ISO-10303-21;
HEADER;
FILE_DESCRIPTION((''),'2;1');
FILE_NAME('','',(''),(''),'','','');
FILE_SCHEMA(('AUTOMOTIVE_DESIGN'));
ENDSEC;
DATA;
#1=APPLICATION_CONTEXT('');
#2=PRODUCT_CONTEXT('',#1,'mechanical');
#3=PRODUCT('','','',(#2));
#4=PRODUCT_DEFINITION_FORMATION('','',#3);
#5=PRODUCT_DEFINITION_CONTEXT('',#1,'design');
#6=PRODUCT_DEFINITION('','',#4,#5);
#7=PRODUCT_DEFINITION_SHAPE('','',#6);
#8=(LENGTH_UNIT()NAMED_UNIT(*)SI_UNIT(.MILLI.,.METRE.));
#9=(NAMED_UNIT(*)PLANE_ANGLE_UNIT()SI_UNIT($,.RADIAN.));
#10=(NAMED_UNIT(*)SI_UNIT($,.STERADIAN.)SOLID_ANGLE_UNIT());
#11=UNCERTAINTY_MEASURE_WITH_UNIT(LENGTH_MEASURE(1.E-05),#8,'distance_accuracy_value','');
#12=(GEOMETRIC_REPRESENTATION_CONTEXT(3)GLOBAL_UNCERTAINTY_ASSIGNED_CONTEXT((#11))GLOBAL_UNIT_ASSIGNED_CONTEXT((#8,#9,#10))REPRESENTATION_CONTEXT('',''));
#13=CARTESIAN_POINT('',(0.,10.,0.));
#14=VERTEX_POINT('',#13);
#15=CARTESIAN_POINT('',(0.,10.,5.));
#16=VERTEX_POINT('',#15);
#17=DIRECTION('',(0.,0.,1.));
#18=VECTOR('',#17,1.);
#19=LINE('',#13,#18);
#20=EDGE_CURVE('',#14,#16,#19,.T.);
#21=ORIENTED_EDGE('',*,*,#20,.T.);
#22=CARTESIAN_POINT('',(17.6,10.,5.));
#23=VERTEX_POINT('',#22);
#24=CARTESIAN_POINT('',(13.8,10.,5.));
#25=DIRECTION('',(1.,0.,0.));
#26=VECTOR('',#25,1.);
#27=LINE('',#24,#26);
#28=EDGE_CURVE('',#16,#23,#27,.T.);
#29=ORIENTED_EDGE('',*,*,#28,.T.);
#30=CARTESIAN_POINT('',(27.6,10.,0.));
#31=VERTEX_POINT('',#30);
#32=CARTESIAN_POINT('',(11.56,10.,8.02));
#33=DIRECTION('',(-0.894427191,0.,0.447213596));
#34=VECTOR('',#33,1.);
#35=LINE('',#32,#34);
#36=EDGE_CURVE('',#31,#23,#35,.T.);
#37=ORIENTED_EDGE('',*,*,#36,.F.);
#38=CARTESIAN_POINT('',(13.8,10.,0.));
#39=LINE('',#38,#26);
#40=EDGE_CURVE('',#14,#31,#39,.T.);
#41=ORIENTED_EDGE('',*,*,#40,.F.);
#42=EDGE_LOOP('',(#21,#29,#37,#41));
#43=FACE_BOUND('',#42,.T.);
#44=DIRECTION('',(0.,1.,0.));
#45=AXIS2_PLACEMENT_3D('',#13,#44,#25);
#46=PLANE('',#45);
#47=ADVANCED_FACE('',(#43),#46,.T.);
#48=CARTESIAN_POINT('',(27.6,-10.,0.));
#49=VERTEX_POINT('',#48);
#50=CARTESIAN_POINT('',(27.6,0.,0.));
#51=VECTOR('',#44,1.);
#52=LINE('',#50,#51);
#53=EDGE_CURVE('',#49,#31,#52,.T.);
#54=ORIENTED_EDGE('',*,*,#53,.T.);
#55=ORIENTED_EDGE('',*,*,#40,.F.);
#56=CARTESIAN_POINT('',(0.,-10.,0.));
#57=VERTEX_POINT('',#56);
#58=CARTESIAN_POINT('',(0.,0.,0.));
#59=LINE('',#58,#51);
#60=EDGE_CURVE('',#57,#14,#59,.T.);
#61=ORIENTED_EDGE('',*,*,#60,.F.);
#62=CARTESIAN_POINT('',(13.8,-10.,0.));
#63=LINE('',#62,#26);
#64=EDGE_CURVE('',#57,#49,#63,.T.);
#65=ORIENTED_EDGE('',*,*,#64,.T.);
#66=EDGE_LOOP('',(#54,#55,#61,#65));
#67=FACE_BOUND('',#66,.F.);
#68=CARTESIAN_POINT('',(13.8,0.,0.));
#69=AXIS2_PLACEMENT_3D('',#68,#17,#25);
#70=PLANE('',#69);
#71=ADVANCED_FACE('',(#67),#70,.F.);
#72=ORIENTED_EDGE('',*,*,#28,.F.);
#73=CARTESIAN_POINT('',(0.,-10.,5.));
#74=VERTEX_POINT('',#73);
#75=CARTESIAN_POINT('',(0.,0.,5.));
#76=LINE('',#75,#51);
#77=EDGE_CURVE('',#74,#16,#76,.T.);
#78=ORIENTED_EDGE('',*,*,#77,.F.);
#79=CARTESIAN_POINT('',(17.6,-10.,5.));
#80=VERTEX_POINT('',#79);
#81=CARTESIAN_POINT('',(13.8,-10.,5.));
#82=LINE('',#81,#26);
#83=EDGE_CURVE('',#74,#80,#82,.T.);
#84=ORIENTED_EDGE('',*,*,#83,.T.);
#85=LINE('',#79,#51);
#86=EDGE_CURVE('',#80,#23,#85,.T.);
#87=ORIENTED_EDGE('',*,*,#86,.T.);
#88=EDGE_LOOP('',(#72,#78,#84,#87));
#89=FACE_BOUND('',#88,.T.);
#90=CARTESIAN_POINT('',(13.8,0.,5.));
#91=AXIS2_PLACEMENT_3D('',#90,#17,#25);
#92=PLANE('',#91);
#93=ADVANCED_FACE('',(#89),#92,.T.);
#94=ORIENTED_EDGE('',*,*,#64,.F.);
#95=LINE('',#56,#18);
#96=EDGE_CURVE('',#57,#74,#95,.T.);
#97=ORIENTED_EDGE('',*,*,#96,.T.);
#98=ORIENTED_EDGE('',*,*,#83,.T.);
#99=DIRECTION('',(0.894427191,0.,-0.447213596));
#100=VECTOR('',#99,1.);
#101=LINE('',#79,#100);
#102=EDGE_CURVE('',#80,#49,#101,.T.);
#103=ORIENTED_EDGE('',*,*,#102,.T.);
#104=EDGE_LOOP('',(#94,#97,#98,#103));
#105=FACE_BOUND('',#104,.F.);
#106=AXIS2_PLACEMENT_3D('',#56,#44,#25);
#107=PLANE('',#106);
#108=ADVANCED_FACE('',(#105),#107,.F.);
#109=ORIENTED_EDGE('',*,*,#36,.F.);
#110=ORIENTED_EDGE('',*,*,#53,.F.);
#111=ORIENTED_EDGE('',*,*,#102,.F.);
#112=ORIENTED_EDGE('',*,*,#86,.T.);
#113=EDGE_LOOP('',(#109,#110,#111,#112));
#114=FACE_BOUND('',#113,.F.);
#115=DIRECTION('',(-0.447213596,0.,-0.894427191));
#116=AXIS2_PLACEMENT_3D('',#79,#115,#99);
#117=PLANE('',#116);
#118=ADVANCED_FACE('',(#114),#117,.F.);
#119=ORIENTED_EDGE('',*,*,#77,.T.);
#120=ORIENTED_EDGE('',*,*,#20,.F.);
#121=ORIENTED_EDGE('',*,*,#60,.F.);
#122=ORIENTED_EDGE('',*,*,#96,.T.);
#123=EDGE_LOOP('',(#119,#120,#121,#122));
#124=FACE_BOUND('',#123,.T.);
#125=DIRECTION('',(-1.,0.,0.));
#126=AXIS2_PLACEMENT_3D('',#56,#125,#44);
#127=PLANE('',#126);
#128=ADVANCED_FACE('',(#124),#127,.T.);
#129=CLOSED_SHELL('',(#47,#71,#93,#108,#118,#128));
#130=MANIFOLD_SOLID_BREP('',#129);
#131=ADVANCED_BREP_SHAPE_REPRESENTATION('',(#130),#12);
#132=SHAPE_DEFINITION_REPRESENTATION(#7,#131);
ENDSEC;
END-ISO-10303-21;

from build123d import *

# Parameters (mm, degrees)
F0_W     = 27.6
F0_H     = 20
F1_DEPTH = 5
F3_DEPTH = 20.001


with BuildPart() as f1:
    # F0 (on Top) → F1 (new body)
    with BuildSketch(Plane.XY):
        with Locations((13.8, 0)):
            Rectangle(F0_W, F0_H)
    extrude(amount=F1_DEPTH)

    # F2 (on face) → F3 (cut, through all)
    with BuildSketch(Plane.XZ.offset(10)):
        Polygon((27.6, 5), (17.6, 5), (27.6, 0), align=None)
    extrude(amount=-F3_DEPTH, mode=Mode.SUBTRACT)


solid = f1.part
